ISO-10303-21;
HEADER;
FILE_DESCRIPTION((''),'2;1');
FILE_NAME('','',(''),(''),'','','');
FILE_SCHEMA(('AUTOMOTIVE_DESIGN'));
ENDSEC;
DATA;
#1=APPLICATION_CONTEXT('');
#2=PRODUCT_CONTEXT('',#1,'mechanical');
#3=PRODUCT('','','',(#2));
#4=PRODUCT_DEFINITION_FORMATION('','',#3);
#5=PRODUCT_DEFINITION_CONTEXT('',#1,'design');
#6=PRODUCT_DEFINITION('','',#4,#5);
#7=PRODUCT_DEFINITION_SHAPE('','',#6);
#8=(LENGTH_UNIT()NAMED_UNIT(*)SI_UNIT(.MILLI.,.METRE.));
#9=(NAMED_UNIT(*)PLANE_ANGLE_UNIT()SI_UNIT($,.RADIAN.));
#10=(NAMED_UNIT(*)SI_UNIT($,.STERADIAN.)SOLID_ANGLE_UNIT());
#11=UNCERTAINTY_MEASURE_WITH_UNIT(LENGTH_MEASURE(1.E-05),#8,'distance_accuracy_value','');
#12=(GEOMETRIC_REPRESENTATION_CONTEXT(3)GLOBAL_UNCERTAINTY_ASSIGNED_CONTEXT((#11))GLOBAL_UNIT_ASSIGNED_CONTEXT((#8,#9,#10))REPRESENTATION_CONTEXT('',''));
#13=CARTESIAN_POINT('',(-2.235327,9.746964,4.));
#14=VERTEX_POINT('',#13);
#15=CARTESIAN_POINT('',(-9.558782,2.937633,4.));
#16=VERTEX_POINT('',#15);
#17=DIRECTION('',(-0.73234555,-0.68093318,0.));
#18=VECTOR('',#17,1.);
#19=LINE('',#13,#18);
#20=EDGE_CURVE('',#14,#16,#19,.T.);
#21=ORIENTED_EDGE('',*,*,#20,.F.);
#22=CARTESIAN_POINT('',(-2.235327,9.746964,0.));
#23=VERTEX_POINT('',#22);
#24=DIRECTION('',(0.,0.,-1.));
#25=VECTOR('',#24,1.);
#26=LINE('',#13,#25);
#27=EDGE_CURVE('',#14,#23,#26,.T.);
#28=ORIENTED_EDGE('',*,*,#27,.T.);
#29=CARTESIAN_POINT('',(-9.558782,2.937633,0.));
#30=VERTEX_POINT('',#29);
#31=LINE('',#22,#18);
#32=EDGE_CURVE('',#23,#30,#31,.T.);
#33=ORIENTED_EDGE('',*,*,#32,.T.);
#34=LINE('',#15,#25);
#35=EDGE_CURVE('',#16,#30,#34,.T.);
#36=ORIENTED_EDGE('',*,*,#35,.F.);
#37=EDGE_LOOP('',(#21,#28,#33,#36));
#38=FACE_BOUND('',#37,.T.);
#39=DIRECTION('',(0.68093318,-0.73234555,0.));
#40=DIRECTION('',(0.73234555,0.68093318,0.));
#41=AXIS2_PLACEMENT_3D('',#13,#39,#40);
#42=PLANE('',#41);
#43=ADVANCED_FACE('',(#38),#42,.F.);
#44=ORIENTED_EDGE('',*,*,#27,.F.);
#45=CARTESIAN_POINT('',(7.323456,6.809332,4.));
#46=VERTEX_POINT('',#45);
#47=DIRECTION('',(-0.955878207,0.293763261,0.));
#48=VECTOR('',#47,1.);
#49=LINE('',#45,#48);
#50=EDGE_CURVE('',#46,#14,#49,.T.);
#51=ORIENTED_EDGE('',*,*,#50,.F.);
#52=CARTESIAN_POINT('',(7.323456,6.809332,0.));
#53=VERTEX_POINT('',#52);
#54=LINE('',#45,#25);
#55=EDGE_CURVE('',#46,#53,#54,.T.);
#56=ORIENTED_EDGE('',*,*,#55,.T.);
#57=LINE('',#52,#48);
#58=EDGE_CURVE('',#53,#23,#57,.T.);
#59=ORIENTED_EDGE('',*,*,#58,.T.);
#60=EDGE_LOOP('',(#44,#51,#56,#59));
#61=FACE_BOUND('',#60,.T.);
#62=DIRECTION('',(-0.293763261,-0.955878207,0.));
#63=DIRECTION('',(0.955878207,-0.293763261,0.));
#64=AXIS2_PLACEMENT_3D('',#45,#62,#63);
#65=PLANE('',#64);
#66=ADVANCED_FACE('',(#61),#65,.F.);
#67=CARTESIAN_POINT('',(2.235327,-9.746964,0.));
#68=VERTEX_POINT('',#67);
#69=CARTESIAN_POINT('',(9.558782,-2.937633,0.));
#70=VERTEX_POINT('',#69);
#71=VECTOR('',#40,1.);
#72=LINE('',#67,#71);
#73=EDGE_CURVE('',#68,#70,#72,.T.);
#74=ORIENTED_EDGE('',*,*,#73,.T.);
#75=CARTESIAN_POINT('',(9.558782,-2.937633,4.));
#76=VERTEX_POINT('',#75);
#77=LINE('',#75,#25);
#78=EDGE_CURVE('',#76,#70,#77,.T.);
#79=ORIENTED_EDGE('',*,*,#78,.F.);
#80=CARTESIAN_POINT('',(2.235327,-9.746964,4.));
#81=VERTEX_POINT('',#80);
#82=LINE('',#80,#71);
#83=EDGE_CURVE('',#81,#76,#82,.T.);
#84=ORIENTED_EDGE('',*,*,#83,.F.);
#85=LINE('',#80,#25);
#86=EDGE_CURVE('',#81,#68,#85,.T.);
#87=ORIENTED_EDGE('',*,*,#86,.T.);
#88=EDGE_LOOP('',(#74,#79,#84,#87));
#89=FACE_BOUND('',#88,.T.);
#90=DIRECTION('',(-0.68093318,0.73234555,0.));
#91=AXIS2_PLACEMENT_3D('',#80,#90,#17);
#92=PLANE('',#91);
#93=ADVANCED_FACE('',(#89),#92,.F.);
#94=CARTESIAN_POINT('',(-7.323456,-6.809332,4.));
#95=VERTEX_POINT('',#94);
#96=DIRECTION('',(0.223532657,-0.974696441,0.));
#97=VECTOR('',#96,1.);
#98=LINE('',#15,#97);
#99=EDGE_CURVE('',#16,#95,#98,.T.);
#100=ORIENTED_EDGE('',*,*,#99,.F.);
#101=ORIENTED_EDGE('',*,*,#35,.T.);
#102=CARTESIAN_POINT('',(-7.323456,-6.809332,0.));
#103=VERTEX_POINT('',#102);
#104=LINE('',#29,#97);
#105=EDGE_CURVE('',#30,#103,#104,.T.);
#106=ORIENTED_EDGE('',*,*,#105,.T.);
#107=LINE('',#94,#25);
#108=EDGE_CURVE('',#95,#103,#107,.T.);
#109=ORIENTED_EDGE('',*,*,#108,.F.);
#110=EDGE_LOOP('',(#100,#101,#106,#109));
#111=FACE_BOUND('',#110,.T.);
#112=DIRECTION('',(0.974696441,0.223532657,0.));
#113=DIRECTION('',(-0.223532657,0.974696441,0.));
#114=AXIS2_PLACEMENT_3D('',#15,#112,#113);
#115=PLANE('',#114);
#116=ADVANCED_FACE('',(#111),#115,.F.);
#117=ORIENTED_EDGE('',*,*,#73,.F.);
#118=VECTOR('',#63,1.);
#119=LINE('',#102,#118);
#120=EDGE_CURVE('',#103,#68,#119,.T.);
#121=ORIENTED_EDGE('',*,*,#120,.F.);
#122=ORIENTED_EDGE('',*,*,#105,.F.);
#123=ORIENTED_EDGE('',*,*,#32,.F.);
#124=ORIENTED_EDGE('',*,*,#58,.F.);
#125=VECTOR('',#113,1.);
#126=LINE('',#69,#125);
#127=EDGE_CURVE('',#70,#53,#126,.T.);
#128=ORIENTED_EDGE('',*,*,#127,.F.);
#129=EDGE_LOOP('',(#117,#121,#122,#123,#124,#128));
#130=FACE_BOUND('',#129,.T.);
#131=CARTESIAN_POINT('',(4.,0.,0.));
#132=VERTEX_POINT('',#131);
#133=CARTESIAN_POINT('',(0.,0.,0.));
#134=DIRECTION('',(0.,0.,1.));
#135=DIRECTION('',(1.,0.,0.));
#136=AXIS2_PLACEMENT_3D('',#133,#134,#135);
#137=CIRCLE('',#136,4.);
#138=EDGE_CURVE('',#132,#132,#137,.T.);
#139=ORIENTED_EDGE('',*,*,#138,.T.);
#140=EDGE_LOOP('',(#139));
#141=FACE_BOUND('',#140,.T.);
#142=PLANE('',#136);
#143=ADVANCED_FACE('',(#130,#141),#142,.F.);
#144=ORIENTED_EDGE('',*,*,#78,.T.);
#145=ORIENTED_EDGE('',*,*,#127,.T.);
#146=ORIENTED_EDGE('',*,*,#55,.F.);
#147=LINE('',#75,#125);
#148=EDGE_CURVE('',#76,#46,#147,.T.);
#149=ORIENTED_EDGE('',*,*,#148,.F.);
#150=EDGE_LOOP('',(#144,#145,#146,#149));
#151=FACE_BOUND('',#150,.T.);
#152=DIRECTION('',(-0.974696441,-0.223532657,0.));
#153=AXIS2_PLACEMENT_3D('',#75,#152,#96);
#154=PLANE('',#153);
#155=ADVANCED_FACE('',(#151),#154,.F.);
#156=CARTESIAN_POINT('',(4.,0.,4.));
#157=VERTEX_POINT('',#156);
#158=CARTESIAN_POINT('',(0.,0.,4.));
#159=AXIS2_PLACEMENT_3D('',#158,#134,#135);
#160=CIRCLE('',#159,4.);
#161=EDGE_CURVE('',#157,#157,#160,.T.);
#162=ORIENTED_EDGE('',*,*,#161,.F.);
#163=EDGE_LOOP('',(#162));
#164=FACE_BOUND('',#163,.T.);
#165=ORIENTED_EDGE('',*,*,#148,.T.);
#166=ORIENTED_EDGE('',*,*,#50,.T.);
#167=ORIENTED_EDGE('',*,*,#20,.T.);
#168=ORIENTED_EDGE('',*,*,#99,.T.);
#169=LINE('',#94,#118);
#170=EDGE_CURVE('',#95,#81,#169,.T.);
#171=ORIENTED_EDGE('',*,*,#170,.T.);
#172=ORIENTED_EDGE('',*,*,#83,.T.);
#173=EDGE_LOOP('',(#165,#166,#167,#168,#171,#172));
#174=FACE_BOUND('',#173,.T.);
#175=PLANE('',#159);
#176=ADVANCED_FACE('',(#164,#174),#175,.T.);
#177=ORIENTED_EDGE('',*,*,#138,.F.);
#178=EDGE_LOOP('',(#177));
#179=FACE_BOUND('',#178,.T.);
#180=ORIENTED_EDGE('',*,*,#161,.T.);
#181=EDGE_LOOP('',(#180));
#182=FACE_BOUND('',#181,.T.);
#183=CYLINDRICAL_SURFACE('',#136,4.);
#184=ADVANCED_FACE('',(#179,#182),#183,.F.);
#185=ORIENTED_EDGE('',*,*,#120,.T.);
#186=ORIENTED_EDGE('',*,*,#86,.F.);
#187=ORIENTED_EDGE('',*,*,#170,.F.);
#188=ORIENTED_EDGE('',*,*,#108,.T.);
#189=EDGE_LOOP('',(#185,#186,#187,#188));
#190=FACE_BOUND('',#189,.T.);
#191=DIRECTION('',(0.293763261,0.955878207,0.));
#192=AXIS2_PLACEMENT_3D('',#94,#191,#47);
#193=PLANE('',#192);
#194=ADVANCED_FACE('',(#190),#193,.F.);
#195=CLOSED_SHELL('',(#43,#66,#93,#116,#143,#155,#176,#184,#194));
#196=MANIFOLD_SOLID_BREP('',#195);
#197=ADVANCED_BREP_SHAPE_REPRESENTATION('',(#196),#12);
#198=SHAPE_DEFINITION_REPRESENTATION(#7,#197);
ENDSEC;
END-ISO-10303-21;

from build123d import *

# Parameters (mm, degrees)
EXTRUDE_1_DEPTH     = 4
SKETCH_2_R          = 4
CUT_EXTRUDE_1_DEPTH = 5


with BuildPart() as part:
    # 草图1 → 凸台-拉伸1 (new body)
    with BuildSketch(Plane.XY):
        Polygon((-9.558782069, 2.93763261), (-7.323455502, -6.809331797), (2.235326568, -9.746964406), (9.558782069, -2.93763261), (7.323455502, 6.809331797), (-2.235326568, 9.746964406), align=None)
    extrude(amount=EXTRUDE_1_DEPTH)

    # 草图2 → 切除-拉伸1 (cut, through all)
    with BuildSketch(Plane.XY.offset(4)):
        Circle(SKETCH_2_R)
    extrude(amount=-CUT_EXTRUDE_1_DEPTH, mode=Mode.SUBTRACT)


solid = part.part
